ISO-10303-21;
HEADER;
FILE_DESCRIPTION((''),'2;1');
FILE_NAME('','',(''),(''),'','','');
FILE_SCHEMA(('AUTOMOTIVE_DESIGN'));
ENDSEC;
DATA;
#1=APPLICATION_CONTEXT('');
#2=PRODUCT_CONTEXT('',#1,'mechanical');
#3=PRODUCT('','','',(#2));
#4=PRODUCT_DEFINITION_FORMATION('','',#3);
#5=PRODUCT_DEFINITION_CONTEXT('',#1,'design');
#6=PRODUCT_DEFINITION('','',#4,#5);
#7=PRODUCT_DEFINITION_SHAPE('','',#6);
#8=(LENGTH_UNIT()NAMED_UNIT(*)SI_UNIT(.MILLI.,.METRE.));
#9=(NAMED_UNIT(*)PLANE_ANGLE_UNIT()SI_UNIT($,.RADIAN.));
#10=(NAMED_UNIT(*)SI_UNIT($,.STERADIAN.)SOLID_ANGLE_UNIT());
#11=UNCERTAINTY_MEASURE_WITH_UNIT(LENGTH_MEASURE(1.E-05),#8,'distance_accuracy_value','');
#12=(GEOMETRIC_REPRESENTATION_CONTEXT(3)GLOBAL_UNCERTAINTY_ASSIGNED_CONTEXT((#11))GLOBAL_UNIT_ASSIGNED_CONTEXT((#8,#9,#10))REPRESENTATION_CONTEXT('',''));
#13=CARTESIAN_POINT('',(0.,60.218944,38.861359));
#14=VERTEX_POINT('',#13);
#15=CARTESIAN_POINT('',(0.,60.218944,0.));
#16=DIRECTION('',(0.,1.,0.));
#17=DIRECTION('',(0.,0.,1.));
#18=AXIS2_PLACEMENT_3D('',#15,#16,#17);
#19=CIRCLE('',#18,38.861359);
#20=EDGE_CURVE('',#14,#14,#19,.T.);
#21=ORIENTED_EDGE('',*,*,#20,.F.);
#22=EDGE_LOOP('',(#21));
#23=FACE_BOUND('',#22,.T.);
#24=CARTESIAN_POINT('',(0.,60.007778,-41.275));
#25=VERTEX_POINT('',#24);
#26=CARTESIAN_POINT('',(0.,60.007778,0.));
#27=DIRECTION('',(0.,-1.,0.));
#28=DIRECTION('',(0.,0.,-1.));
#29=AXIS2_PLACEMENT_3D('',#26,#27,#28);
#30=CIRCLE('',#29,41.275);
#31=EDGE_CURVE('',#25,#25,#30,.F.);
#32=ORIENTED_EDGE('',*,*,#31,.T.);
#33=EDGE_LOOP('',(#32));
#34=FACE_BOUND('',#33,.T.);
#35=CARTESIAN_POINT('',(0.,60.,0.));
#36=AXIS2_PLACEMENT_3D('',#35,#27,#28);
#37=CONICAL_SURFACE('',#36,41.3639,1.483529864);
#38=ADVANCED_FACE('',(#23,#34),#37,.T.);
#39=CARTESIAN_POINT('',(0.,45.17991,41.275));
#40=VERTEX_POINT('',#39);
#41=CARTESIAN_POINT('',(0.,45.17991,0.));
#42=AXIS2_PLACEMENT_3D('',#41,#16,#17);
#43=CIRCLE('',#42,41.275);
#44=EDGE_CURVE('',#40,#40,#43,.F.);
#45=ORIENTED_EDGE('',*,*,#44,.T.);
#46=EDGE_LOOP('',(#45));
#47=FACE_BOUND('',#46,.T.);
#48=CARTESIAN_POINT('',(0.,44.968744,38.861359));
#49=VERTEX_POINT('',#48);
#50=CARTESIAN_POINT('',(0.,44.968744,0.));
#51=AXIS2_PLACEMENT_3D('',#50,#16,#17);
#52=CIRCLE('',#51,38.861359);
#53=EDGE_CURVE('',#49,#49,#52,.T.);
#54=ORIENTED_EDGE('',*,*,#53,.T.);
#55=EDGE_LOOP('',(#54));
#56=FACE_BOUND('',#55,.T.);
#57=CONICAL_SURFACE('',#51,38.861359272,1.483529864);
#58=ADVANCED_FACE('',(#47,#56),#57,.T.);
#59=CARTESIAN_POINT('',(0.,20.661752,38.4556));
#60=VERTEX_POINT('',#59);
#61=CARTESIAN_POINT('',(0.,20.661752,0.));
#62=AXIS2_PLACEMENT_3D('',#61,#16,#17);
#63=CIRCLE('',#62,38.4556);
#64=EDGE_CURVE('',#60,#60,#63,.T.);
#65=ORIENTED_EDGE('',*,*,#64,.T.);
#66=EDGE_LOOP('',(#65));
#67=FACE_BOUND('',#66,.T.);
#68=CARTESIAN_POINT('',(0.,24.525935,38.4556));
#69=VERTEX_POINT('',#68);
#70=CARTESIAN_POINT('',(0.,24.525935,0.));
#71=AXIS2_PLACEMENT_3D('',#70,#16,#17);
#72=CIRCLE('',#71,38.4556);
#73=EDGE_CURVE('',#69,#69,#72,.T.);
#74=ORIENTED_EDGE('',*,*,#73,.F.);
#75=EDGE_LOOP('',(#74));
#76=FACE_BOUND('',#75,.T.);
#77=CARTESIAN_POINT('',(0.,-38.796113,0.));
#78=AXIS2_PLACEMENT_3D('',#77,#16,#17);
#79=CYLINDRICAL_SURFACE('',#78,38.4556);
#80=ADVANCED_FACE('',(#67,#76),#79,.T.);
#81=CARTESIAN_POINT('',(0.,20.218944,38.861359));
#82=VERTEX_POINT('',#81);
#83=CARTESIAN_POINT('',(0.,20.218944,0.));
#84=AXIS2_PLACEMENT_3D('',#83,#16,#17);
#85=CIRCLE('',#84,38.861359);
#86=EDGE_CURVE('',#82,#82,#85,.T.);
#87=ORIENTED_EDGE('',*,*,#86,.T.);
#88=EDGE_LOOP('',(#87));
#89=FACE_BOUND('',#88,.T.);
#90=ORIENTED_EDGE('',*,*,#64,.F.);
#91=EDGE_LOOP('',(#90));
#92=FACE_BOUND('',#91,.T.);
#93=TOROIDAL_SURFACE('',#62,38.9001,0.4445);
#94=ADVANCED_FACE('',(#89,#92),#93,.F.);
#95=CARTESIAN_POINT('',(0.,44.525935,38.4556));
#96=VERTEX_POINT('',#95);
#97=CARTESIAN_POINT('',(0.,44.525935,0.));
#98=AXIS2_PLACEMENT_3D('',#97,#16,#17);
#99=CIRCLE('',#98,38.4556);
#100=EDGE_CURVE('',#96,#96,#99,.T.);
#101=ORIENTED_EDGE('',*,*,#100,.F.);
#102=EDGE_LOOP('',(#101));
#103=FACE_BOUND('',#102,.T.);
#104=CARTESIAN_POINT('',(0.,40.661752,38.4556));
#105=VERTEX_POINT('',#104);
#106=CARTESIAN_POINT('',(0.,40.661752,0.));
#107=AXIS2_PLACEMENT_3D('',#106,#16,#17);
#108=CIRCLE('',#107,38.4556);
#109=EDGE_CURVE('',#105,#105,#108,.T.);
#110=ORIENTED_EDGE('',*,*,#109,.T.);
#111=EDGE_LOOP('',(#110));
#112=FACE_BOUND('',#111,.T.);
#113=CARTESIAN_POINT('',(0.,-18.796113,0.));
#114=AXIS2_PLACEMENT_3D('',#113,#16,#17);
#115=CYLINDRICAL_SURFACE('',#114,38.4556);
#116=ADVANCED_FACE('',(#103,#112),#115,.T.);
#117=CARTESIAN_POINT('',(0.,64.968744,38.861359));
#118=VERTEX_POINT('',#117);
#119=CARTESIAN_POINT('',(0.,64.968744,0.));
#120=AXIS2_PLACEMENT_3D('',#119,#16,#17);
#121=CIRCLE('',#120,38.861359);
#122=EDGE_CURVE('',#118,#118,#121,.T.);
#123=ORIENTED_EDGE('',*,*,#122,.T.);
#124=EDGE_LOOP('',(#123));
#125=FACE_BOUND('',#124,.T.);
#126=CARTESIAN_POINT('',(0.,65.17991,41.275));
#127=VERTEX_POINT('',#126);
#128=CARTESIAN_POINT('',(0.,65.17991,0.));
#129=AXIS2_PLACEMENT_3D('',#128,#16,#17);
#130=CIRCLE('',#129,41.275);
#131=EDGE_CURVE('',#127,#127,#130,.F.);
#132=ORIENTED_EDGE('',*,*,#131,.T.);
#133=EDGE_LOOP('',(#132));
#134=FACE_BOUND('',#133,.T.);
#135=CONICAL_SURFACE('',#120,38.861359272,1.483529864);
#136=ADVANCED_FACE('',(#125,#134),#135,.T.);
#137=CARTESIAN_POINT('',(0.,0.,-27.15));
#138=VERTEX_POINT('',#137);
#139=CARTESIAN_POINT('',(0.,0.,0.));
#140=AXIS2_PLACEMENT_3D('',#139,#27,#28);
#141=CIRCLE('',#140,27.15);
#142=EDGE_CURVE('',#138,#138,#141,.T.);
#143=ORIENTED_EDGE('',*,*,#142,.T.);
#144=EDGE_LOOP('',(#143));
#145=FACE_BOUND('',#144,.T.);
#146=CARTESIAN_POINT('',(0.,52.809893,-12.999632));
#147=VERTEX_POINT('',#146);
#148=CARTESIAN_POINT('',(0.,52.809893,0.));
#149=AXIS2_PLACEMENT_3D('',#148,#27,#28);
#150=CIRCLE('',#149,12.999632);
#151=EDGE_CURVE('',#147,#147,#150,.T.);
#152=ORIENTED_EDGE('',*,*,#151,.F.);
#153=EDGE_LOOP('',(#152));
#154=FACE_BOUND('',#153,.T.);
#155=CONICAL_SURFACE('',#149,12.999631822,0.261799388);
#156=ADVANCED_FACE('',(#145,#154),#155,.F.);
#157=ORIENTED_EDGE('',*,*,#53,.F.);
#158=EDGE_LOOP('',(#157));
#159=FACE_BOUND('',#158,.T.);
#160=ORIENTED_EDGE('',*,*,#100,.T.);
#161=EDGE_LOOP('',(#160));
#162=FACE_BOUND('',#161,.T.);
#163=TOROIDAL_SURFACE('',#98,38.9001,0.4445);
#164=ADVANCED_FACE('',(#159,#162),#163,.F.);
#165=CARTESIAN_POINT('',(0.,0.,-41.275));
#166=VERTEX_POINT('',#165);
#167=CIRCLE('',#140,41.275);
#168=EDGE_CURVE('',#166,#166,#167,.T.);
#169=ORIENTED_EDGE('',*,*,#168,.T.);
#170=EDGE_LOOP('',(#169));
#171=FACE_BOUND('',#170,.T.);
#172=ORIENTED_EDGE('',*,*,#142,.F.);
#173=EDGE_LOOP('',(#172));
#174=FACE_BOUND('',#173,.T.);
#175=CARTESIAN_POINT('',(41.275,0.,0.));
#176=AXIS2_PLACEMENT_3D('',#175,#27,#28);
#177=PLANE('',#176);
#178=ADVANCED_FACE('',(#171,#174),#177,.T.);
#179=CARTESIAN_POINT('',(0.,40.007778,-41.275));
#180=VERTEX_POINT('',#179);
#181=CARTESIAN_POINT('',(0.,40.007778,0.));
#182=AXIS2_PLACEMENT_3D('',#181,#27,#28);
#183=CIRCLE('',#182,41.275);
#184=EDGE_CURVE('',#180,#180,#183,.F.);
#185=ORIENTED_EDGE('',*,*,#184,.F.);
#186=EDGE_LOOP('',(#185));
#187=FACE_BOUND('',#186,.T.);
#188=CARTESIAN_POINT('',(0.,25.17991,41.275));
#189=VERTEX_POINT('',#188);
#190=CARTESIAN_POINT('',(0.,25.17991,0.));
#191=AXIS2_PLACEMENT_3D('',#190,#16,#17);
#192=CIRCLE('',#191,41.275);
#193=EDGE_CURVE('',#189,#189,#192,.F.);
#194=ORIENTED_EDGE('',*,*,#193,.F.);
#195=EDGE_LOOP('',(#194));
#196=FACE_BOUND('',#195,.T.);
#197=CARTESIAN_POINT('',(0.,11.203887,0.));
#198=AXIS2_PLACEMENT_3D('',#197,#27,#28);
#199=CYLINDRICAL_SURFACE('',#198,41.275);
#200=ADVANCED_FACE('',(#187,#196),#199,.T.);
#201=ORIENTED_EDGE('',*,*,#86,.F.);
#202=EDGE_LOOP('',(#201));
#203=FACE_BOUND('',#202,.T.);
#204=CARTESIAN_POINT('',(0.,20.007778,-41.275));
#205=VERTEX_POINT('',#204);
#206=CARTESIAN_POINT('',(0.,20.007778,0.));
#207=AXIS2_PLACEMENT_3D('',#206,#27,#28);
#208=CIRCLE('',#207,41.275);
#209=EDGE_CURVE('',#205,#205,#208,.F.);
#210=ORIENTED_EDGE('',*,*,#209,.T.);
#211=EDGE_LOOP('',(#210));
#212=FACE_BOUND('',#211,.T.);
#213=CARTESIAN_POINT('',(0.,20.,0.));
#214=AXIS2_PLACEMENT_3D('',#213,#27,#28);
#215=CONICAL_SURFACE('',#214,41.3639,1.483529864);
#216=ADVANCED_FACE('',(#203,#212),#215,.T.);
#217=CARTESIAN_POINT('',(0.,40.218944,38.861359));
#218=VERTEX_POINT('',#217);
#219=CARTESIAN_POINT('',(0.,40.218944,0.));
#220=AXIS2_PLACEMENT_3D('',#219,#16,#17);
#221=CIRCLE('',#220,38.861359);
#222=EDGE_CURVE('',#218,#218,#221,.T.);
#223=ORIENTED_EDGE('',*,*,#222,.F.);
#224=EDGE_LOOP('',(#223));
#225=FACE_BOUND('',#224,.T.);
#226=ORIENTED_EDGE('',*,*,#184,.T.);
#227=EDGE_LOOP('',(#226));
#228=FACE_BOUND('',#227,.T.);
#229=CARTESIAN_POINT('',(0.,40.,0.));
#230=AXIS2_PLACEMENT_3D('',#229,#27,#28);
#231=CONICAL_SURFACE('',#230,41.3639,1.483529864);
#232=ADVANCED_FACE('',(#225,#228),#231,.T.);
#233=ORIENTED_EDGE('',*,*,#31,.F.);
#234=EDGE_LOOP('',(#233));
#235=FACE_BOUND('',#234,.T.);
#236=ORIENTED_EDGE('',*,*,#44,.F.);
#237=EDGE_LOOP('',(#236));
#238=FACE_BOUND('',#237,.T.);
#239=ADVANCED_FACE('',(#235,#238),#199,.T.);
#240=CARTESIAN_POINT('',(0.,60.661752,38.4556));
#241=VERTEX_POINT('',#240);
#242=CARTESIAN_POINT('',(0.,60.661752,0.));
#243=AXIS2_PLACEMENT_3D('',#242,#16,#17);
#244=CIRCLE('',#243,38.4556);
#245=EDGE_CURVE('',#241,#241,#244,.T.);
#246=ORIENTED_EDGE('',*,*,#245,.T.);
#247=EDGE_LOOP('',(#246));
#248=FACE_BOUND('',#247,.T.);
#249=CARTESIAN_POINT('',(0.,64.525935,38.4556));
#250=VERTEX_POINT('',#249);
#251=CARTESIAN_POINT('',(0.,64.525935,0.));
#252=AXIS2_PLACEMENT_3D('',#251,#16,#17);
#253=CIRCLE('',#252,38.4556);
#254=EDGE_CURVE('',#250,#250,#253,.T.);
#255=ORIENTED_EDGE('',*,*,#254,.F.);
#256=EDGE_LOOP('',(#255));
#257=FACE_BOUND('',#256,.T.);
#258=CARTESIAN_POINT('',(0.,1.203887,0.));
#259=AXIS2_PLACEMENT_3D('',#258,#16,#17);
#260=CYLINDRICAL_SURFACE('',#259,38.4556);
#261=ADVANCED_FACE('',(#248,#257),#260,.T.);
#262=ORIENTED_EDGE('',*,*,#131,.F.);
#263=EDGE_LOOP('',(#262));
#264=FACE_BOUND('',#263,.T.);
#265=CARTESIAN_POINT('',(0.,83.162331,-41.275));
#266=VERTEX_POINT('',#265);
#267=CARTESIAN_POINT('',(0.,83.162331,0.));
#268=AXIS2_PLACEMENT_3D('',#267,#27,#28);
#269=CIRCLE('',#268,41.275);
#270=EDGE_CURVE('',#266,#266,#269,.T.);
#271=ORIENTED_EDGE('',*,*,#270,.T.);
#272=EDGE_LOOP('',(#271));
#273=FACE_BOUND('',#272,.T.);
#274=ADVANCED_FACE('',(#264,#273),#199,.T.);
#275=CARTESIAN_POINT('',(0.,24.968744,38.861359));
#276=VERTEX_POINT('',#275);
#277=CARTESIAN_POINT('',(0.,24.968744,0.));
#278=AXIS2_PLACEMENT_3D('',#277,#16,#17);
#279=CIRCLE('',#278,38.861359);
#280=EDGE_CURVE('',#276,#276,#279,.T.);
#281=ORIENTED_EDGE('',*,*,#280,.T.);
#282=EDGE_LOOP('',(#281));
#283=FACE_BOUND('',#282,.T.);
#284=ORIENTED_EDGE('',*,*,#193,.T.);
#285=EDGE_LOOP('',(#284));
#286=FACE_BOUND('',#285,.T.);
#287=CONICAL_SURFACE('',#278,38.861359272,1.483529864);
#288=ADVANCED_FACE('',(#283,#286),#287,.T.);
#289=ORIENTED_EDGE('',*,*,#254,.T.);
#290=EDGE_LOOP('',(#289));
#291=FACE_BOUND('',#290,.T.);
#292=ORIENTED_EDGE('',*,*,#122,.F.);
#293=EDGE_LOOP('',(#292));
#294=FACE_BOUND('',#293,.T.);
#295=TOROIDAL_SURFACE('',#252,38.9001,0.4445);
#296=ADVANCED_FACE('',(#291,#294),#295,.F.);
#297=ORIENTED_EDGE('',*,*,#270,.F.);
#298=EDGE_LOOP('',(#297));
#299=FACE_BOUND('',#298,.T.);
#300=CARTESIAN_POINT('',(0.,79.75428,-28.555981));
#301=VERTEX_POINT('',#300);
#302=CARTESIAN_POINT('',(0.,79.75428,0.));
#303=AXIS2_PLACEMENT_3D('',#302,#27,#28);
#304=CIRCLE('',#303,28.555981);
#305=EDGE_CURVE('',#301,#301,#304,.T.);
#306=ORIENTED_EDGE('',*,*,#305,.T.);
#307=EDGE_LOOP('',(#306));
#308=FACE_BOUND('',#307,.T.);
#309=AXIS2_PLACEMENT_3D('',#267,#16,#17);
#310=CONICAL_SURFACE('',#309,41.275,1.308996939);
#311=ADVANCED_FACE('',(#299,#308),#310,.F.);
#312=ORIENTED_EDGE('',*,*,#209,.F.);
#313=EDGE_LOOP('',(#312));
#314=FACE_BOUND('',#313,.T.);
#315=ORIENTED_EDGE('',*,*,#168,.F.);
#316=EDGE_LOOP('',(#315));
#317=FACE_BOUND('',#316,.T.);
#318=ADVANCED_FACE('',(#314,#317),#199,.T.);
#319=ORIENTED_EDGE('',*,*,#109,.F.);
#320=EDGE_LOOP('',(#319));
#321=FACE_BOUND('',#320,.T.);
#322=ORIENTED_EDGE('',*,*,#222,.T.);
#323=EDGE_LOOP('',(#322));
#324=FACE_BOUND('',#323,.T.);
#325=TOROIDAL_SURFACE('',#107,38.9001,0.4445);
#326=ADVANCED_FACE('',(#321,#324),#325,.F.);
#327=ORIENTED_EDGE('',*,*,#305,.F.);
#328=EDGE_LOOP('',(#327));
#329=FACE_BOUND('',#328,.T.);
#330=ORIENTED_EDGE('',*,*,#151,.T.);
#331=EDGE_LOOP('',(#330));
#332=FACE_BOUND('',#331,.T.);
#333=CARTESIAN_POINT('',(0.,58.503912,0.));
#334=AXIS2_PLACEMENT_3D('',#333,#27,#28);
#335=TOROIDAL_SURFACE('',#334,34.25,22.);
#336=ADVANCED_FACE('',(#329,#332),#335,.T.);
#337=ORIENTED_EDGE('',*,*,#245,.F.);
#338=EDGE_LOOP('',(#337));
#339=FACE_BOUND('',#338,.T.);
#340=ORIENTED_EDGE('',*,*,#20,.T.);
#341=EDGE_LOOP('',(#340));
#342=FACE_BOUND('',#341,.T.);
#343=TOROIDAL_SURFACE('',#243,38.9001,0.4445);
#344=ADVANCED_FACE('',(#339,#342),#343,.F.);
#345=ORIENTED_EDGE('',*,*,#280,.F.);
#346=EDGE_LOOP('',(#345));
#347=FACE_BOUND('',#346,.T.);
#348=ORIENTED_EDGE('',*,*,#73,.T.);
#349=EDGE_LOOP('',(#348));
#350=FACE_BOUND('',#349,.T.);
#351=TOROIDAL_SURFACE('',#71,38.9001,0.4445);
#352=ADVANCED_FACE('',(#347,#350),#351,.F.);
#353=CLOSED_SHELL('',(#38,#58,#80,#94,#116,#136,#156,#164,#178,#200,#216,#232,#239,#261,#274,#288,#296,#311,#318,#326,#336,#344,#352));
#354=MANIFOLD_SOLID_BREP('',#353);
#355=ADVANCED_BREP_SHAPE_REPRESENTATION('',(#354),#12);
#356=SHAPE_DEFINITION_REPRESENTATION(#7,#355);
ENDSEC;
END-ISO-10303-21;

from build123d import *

# Parameters (mm, degrees)
LPATTERN1_COUNT = 3
LPATTERN1_PITCH = 20


with BuildPart() as part:
    # Sketch1 → Revolve1 (revolve)
    with BuildSketch(Plane.XY):
        with BuildLine():
            Line((41.275, 83.162331026), (41.275, 0))
            Line((41.275, 0), (27.15, 0))
            Line((27.15, 0), (12.999631822, 52.809892987))
            ThreePointArc((12.999631822, 52.809892987), (15.197441117, 69.50391198), (28.555981008, 79.754280158))
            Line((28.555981008, 79.754280158), (41.275, 83.162331026))
        make_face()
    revolve(axis=Axis((0, 11.203886574, 0), (0, 1, 0)))

    # Sketch3 → Groove for AS 568-234, O-Ring1 (revolve, cut)
    with BuildSketch(Plane(origin=(0, 11.203886574, 0), x_dir=(0, 0, -1), z_dir=(-1, 0, 0))):
        with BuildLine():
            Line((38.861359272, -9.01505737), (41.3639, -8.796113426))
            Line((41.3639, -8.796113426), (41.3639, -13.983801313))
            Line((41.3639, -13.983801313), (38.861359272, -13.76485737))
            ThreePointArc((38.861359272, -13.76485737), (38.572380224, -13.622348674), (38.4556, -13.322048826))
            Line((38.4556, -13.322048826), (38.4556, -9.457865913))
            ThreePointArc((38.4556, -9.457865913), (38.572380224, -9.157566066), (38.861359272, -9.01505737))
        make_face()
    groove_for_as_568_234_o_ring1 = revolve(axis=Axis((0, -38.796113426, 0), (0, 1, 0)), mode=Mode.SUBTRACT)

    # LPattern1: Groove for AS 568-234, O-Ring1 ×3
    with Locations(*[(0, i * LPATTERN1_PITCH, 0) for i in range(1, LPATTERN1_COUNT)]):
        add(groove_for_as_568_234_o_ring1, mode=Mode.SUBTRACT)


solid = part.part
